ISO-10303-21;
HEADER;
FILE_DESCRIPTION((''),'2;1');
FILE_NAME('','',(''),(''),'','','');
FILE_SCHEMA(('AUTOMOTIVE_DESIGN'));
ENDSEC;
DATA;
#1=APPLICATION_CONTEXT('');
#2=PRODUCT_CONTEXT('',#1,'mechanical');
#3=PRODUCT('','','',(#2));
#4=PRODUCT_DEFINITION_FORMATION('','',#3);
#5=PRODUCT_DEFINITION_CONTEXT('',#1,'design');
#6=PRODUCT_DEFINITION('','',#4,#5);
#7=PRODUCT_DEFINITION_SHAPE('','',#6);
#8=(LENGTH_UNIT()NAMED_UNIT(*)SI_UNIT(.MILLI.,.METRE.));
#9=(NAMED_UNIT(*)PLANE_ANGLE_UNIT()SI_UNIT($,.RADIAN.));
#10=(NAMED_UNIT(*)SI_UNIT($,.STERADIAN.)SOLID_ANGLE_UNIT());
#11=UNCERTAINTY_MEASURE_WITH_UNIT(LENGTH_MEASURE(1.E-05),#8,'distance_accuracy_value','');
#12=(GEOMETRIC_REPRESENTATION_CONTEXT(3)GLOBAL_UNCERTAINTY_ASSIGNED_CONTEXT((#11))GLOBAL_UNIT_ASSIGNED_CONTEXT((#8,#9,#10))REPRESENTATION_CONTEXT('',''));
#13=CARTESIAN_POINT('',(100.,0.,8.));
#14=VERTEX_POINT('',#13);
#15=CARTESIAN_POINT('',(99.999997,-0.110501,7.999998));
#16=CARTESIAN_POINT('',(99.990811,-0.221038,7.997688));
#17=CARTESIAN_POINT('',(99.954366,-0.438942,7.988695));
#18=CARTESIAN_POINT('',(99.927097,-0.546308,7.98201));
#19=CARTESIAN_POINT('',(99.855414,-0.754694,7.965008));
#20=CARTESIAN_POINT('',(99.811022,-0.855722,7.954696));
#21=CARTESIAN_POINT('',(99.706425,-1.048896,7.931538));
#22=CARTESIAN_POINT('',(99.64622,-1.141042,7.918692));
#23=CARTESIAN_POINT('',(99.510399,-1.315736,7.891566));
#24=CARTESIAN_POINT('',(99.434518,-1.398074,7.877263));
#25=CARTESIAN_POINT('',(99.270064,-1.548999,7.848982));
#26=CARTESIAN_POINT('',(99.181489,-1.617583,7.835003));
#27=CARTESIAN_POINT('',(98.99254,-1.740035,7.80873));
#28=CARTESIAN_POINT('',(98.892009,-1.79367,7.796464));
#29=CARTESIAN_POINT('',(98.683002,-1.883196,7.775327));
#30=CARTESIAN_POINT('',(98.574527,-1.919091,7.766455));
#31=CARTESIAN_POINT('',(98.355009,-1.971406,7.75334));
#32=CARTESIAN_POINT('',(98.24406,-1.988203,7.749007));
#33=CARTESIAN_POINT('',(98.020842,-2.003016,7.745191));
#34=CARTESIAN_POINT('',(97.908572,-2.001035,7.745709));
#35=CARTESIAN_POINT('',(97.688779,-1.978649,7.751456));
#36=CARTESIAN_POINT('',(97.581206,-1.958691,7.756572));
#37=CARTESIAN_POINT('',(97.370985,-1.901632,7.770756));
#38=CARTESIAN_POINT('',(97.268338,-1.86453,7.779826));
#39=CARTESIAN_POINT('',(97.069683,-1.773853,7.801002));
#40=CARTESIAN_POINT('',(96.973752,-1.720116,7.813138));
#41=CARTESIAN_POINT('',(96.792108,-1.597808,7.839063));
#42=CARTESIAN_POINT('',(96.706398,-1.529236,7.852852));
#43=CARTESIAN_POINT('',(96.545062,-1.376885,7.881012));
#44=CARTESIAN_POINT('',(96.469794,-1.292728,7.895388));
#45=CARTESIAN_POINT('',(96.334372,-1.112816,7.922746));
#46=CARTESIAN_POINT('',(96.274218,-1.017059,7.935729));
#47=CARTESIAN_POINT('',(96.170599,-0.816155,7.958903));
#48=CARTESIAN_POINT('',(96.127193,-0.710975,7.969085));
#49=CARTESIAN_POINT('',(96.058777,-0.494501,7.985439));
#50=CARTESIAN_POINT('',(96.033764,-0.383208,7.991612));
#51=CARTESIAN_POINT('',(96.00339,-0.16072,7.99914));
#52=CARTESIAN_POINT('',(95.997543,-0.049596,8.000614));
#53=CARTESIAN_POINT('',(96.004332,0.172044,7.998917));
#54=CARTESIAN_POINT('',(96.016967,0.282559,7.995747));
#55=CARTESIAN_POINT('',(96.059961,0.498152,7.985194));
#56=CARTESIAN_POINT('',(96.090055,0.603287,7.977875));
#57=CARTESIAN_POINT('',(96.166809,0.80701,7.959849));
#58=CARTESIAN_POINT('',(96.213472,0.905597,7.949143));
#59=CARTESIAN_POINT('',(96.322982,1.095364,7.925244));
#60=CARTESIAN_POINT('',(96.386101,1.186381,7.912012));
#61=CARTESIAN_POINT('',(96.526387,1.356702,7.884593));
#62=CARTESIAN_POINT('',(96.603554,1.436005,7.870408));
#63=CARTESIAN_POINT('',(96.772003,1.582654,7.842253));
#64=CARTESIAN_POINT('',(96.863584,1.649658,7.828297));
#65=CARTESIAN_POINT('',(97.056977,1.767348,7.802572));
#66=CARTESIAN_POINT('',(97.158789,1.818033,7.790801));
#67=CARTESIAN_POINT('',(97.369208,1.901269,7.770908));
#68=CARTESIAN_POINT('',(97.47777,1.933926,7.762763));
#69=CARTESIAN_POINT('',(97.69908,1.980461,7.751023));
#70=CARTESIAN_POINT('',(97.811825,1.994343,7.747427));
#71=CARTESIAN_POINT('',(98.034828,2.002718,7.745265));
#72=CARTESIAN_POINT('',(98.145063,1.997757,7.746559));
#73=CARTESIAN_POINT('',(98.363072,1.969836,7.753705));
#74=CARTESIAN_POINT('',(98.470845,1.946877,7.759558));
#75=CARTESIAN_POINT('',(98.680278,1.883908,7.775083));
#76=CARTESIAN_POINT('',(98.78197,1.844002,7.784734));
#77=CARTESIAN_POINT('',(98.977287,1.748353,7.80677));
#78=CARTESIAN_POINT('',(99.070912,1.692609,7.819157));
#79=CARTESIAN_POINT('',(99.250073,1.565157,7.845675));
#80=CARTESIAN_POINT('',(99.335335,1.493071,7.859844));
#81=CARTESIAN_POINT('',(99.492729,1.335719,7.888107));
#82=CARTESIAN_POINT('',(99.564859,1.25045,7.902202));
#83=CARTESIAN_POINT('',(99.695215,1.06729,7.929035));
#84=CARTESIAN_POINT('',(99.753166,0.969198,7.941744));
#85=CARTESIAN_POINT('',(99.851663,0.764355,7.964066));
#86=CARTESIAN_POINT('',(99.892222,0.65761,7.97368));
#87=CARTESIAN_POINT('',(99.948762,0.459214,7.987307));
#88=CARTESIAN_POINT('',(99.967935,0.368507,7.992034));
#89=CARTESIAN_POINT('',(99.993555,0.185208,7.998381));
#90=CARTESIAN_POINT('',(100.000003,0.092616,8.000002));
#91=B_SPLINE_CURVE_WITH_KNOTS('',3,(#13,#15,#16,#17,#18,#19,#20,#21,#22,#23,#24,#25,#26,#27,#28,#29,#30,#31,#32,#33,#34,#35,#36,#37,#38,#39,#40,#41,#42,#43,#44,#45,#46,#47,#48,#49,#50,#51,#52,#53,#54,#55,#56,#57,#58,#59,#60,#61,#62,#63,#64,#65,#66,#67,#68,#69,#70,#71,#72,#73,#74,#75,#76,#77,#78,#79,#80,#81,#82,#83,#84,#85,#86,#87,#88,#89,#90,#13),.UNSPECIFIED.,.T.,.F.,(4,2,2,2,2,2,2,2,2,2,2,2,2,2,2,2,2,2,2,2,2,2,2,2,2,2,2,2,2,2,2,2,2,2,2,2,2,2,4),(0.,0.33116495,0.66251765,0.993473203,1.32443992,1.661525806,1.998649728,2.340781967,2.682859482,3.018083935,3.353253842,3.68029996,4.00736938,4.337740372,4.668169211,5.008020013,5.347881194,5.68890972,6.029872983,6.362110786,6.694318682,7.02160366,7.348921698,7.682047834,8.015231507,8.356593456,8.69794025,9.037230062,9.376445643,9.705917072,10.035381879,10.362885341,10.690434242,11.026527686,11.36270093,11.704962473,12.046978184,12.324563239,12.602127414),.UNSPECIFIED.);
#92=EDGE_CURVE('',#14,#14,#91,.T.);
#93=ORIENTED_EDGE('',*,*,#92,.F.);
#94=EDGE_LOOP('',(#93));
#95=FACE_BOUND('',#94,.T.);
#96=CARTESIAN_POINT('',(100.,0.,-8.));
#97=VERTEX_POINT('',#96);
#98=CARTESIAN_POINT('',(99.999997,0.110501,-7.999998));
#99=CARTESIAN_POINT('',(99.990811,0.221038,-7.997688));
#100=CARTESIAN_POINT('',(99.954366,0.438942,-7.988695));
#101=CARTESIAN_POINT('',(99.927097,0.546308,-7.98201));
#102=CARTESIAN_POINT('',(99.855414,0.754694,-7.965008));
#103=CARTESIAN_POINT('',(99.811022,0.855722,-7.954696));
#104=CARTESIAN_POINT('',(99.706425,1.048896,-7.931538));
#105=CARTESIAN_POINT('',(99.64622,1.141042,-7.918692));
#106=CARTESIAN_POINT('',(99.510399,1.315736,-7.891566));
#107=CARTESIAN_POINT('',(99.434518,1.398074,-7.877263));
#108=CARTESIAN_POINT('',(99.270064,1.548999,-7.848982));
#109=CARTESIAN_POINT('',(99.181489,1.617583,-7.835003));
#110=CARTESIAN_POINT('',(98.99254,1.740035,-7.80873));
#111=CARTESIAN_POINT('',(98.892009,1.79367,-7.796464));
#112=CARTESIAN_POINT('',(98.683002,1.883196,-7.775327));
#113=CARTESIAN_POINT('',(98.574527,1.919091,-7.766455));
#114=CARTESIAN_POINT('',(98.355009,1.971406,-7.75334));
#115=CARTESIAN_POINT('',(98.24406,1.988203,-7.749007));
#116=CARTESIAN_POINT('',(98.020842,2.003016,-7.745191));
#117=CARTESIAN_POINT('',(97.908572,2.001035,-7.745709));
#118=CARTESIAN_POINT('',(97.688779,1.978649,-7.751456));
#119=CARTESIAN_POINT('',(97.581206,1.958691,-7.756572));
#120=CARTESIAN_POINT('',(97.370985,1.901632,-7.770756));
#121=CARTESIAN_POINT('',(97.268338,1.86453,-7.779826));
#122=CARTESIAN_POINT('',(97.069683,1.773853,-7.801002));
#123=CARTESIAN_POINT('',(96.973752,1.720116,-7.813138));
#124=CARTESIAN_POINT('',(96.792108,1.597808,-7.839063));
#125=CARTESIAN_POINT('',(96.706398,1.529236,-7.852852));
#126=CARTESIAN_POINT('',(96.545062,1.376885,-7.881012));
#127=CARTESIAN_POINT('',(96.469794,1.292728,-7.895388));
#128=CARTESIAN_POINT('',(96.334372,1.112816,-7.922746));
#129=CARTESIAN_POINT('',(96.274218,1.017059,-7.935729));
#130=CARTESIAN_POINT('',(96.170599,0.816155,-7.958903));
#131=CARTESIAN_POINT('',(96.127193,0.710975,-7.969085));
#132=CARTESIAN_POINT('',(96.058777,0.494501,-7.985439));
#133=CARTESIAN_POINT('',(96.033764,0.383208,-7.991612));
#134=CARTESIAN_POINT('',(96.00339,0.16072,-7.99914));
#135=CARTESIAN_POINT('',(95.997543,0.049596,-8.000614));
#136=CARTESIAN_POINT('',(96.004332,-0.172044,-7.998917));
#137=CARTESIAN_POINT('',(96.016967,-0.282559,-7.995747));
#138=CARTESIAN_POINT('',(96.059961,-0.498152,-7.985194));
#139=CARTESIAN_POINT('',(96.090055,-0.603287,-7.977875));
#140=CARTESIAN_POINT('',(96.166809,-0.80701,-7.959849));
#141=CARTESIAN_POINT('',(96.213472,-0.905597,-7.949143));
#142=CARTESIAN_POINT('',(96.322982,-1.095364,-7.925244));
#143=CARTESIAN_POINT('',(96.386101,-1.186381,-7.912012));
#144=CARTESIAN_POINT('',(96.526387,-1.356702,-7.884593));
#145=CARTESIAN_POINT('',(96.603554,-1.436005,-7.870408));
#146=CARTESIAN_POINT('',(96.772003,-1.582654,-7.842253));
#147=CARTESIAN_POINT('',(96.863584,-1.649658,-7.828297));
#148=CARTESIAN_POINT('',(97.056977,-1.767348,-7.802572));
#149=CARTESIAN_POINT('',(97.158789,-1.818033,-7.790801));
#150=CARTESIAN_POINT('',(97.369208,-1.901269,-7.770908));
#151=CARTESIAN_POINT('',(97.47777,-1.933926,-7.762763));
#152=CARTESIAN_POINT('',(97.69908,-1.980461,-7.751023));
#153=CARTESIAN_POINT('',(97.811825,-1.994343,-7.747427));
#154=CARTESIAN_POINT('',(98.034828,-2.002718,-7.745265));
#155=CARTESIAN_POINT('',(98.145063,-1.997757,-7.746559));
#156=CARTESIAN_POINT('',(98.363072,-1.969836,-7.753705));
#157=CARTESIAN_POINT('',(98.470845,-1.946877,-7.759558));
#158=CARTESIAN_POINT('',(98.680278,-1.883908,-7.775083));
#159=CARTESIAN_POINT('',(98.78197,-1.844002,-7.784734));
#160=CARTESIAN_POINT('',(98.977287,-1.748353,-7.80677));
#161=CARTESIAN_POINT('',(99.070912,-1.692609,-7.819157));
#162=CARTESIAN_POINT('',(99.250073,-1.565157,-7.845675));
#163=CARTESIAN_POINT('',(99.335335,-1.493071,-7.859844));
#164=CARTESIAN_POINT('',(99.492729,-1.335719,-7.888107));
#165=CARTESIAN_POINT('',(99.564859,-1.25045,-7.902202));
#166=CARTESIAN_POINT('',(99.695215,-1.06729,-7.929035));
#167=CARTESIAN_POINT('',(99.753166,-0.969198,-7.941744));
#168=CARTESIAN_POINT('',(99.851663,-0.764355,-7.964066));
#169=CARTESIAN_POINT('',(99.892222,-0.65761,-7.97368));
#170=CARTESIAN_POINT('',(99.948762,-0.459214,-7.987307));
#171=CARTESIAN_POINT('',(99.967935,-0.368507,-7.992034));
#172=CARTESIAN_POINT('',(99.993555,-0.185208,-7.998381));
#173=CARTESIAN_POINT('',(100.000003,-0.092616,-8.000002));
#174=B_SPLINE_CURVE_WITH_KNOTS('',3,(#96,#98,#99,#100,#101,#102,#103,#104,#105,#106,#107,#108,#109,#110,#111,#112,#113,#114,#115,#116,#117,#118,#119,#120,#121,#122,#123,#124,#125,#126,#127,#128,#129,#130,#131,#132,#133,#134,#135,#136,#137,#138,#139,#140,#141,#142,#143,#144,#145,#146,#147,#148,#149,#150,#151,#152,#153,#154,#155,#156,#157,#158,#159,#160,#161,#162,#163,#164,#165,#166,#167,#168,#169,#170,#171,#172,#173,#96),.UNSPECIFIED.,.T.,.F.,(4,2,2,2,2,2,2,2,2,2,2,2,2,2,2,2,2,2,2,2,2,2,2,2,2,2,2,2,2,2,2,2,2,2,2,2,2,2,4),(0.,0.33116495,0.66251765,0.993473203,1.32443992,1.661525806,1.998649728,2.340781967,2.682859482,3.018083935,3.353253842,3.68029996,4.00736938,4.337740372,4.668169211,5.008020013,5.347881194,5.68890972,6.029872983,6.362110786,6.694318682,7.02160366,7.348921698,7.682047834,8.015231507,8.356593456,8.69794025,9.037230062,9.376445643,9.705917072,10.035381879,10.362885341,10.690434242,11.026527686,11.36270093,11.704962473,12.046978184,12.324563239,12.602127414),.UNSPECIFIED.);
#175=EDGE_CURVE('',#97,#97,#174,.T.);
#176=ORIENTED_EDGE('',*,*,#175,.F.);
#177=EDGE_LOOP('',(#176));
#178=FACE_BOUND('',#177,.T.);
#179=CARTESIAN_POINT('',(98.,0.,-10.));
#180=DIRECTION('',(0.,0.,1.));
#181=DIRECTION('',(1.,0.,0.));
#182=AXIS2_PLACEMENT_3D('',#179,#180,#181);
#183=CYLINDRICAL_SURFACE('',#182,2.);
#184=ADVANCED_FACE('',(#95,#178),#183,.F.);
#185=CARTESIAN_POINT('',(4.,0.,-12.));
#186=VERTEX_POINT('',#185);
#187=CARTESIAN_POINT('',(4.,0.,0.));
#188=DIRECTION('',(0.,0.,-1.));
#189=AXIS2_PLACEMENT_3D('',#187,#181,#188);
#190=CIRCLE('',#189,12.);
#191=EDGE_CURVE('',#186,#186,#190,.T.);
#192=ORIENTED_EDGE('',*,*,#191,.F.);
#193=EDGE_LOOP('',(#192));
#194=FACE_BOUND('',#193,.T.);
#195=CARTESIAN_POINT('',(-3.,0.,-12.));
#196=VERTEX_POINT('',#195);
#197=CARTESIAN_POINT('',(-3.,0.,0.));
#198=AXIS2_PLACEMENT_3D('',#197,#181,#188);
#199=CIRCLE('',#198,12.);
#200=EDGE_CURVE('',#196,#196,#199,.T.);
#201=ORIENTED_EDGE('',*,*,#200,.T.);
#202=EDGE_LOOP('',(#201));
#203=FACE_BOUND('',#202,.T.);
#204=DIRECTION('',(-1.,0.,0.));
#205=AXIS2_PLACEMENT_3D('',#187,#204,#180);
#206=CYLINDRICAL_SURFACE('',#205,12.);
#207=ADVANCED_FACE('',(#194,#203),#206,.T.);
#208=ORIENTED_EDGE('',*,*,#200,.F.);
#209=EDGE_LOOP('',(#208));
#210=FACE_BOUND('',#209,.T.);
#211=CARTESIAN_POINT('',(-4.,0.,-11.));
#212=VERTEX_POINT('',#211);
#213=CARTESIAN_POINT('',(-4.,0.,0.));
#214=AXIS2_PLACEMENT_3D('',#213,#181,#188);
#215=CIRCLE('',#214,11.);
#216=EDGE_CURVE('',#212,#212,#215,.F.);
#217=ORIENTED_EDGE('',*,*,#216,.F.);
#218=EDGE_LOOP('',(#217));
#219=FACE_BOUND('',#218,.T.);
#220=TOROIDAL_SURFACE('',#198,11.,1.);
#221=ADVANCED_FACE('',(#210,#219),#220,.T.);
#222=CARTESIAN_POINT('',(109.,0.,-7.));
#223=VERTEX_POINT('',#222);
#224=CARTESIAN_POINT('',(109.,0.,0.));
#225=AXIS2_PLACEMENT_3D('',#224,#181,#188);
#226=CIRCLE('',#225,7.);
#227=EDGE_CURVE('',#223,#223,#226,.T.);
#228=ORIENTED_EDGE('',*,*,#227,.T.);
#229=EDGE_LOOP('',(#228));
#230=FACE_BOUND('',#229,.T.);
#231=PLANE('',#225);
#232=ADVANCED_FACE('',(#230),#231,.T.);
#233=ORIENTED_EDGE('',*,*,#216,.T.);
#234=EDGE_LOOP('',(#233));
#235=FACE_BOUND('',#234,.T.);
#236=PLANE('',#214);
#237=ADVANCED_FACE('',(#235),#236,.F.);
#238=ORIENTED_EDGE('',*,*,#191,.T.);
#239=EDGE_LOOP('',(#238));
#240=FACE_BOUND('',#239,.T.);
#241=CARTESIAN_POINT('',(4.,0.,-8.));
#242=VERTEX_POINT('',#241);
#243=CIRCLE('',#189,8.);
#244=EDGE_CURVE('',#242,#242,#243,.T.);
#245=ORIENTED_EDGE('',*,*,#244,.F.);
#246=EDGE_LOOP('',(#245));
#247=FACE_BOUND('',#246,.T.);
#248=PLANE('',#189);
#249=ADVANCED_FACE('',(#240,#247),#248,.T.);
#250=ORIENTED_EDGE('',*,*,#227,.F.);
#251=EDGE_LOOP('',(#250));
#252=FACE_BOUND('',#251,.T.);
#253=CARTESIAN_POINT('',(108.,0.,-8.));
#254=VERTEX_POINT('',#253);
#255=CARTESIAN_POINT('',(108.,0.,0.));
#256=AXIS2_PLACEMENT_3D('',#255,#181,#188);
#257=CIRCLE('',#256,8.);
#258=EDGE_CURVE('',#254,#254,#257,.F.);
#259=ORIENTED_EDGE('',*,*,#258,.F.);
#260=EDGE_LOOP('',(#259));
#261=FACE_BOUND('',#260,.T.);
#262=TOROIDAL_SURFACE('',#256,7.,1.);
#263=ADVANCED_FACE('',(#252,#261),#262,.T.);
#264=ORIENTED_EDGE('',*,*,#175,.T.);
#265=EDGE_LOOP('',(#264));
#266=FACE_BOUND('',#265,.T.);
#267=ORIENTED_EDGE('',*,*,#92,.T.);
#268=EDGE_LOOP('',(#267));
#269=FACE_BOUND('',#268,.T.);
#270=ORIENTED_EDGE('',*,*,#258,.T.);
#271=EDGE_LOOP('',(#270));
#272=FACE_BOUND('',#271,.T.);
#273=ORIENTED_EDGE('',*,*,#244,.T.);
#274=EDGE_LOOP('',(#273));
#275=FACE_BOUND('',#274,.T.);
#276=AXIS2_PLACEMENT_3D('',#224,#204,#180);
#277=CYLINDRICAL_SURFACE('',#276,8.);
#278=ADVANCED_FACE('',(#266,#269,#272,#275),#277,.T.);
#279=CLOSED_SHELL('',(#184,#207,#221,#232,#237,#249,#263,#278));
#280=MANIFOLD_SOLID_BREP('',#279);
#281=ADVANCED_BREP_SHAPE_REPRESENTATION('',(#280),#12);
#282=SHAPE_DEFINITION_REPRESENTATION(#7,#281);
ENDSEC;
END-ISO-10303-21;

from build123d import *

# Parameters (mm, degrees)
SKETCH2_R           = 12
BOSS_EXTRUDE1_DEPTH = 4
SKETCH3_R           = 8
BOSS_EXTRUDE2_DEPTH = 105
FILLET1_R           = 1
FILLET2_R           = 1
SKETCH4_R           = 2
CUT_EXTRUDE1_DEPTH  = 10


with BuildPart() as part:
    # Sketch2 → Boss-Extrude1 (new body, symmetric)
    with BuildSketch(Plane(origin=(0, 0, 0), x_dir=(0, 0, -1), z_dir=(1, 0, 0))):
        Circle(SKETCH2_R)
    extrude(amount=BOSS_EXTRUDE1_DEPTH, both=True)

    # Sketch3 → Boss-Extrude2 (add)
    with BuildSketch(Plane(origin=(4, 0, 0), x_dir=(0, 0, -1), z_dir=(1, 0, 0))):
        Circle(SKETCH3_R)
    extrude(amount=BOSS_EXTRUDE2_DEPTH)

    # Fillet1
    fillet1_edges = [part.edges().sort_by_distance(p)[0] for p in [
        (-4, 0, 12),
    ]]
    fillet(fillet1_edges, radius=FILLET1_R)

    # Fillet2
    fillet2_edges = [part.edges().sort_by_distance(p)[0] for p in [
        (109, 0, 8),
    ]]
    fillet(fillet2_edges, radius=FILLET2_R)

    # Sketch4 → Cut-Extrude1 (cut, symmetric)
    with BuildSketch(Plane.XY):
        with Locations((98, 0)):
            Circle(SKETCH4_R)
    extrude(amount=CUT_EXTRUDE1_DEPTH, both=True, mode=Mode.SUBTRACT)


solid = part.part
